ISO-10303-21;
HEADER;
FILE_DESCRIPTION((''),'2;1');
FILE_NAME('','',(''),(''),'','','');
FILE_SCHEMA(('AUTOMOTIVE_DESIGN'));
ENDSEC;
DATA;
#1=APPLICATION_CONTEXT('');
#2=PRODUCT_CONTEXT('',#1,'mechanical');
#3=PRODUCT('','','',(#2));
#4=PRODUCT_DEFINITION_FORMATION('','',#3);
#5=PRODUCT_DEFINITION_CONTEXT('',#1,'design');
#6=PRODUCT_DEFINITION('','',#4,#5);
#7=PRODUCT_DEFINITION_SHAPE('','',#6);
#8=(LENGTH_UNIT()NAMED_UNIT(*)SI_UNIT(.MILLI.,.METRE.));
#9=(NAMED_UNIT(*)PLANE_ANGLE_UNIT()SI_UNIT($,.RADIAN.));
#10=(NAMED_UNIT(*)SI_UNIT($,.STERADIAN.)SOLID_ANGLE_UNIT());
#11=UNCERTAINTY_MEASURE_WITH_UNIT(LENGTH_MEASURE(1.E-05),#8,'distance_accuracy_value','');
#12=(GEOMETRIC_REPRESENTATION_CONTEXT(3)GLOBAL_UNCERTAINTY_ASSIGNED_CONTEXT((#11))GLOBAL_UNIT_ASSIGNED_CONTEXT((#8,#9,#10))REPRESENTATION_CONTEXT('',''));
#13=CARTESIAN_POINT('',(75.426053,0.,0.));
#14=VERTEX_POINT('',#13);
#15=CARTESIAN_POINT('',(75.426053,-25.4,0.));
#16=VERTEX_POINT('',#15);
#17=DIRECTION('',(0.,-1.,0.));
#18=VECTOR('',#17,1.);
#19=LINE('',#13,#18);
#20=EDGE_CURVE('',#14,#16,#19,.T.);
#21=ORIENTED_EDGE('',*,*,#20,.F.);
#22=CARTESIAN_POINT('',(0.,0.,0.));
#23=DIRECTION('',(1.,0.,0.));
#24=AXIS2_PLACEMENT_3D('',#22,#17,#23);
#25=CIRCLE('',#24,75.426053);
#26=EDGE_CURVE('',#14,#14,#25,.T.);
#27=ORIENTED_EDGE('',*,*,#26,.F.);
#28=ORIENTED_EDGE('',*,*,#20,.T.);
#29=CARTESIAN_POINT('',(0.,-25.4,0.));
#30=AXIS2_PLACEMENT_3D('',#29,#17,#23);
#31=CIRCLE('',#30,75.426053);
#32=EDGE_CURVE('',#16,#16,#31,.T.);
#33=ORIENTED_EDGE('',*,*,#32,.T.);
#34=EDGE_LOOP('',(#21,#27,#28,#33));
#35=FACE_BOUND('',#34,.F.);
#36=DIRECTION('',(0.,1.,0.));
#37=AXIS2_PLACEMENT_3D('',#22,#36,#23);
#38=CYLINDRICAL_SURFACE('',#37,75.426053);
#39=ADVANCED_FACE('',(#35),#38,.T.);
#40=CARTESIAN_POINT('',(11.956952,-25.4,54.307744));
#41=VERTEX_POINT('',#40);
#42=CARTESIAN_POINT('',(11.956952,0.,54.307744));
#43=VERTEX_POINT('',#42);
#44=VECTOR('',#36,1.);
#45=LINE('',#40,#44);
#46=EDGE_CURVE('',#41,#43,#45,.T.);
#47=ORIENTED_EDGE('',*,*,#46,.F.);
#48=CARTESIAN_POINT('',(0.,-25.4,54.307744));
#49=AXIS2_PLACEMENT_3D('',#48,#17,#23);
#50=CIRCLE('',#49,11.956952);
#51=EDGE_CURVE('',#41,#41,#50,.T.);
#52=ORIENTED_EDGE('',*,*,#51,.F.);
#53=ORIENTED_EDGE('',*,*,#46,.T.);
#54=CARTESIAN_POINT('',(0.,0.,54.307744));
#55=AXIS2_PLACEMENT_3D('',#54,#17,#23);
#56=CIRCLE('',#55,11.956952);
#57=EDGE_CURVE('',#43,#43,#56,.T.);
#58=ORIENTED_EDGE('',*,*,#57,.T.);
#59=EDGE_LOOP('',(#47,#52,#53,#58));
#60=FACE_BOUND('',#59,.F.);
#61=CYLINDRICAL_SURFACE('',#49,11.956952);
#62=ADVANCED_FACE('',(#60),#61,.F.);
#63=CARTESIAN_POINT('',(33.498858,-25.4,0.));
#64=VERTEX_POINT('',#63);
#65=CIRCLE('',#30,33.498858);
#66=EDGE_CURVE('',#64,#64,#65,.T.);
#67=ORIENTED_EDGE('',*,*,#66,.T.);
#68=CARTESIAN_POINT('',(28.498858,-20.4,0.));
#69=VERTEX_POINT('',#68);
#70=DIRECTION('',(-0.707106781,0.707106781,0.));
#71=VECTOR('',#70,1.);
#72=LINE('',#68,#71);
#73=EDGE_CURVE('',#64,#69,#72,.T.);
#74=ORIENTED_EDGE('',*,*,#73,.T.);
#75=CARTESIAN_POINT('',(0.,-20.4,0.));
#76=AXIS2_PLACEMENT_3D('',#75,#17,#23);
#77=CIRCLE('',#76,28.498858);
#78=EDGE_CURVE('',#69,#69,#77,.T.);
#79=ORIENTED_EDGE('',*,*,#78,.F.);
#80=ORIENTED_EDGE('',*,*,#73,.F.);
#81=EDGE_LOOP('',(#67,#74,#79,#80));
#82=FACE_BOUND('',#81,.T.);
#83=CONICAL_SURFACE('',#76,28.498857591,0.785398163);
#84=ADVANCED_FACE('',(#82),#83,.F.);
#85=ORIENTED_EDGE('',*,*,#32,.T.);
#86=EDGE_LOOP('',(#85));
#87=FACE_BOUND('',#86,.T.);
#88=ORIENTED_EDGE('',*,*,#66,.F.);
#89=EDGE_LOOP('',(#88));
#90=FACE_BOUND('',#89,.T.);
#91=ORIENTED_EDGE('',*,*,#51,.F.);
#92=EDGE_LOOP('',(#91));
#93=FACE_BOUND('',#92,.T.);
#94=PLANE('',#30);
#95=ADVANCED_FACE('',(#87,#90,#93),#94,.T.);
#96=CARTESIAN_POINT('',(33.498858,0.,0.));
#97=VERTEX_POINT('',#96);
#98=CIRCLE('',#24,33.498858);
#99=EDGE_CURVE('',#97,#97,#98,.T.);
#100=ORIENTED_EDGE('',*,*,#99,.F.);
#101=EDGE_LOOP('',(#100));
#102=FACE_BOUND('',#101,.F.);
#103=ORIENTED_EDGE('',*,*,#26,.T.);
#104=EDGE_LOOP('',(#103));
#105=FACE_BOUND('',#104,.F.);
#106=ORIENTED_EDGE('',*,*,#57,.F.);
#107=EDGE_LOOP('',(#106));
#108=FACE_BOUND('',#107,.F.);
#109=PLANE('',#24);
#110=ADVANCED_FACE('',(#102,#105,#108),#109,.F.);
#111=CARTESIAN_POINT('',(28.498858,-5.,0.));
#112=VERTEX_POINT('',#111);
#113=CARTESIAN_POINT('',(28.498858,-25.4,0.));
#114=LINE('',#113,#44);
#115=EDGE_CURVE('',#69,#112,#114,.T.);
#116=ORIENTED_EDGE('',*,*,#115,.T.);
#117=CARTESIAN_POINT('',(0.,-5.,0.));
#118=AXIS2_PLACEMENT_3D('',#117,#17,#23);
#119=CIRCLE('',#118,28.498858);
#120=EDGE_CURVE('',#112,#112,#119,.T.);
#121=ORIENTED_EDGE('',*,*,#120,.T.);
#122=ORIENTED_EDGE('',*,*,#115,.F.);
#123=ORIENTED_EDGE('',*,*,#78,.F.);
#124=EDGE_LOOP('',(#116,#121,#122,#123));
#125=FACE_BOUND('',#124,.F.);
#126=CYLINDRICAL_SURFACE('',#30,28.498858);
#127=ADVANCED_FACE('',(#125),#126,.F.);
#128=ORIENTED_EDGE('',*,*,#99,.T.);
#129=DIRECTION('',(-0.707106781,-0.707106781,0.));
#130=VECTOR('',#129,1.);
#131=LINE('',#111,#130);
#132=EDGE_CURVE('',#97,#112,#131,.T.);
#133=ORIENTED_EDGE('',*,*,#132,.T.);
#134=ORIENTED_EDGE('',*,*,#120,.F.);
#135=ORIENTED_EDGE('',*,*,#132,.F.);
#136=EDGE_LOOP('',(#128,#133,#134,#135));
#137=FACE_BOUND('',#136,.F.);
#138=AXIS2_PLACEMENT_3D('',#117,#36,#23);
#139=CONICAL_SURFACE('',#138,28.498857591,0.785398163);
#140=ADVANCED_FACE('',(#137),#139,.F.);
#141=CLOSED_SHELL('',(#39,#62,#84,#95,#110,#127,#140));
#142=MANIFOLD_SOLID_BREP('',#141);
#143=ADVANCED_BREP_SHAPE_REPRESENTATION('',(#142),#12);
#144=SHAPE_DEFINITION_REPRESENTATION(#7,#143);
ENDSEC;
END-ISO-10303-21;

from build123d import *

# Parameters (mm, degrees)
F0_R     = 75.4260527683
F1_DEPTH = 25.4
F2_R     = 25.3745556146
F3_R     = 28.4988575913
F4_DEPTH = 80.4947149009
F6_SIZE  = 5
F7_R     = 11.9569521578
F5_DEPTH = 25.401


with BuildPart() as f1:
    # F0 (on Front) → F1 (new body)
    with BuildSketch(Plane.XZ):
        Circle(F0_R)
    extrude(amount=F1_DEPTH)

    # F2 (on face) + F3 (on face) → F4 (cut)
    with BuildSketch(Plane.XZ.offset(25.4)):
        Circle(F2_R)
    with BuildSketch(Plane.XZ.offset(25.4)):
        Circle(F3_R)
    extrude(amount=-F4_DEPTH, mode=Mode.SUBTRACT)

    # F6
    f6_edges = [f1.edges().sort_by_distance(p)[0] for p in [
        (-28.498858, -25.4, 0),
        (28.498858, -12.7, 0),
        (-28.498858, 0, 0),
    ]]
    chamfer(f6_edges, length=F6_SIZE)

    # F7 (on face) → F5 (cut, through all)
    with BuildSketch(Plane.XZ.offset(25.4)):
        with Locations((0, 54.307743907)):
            Circle(F7_R)
    extrude(amount=-F5_DEPTH, mode=Mode.SUBTRACT)


solid = f1.part
